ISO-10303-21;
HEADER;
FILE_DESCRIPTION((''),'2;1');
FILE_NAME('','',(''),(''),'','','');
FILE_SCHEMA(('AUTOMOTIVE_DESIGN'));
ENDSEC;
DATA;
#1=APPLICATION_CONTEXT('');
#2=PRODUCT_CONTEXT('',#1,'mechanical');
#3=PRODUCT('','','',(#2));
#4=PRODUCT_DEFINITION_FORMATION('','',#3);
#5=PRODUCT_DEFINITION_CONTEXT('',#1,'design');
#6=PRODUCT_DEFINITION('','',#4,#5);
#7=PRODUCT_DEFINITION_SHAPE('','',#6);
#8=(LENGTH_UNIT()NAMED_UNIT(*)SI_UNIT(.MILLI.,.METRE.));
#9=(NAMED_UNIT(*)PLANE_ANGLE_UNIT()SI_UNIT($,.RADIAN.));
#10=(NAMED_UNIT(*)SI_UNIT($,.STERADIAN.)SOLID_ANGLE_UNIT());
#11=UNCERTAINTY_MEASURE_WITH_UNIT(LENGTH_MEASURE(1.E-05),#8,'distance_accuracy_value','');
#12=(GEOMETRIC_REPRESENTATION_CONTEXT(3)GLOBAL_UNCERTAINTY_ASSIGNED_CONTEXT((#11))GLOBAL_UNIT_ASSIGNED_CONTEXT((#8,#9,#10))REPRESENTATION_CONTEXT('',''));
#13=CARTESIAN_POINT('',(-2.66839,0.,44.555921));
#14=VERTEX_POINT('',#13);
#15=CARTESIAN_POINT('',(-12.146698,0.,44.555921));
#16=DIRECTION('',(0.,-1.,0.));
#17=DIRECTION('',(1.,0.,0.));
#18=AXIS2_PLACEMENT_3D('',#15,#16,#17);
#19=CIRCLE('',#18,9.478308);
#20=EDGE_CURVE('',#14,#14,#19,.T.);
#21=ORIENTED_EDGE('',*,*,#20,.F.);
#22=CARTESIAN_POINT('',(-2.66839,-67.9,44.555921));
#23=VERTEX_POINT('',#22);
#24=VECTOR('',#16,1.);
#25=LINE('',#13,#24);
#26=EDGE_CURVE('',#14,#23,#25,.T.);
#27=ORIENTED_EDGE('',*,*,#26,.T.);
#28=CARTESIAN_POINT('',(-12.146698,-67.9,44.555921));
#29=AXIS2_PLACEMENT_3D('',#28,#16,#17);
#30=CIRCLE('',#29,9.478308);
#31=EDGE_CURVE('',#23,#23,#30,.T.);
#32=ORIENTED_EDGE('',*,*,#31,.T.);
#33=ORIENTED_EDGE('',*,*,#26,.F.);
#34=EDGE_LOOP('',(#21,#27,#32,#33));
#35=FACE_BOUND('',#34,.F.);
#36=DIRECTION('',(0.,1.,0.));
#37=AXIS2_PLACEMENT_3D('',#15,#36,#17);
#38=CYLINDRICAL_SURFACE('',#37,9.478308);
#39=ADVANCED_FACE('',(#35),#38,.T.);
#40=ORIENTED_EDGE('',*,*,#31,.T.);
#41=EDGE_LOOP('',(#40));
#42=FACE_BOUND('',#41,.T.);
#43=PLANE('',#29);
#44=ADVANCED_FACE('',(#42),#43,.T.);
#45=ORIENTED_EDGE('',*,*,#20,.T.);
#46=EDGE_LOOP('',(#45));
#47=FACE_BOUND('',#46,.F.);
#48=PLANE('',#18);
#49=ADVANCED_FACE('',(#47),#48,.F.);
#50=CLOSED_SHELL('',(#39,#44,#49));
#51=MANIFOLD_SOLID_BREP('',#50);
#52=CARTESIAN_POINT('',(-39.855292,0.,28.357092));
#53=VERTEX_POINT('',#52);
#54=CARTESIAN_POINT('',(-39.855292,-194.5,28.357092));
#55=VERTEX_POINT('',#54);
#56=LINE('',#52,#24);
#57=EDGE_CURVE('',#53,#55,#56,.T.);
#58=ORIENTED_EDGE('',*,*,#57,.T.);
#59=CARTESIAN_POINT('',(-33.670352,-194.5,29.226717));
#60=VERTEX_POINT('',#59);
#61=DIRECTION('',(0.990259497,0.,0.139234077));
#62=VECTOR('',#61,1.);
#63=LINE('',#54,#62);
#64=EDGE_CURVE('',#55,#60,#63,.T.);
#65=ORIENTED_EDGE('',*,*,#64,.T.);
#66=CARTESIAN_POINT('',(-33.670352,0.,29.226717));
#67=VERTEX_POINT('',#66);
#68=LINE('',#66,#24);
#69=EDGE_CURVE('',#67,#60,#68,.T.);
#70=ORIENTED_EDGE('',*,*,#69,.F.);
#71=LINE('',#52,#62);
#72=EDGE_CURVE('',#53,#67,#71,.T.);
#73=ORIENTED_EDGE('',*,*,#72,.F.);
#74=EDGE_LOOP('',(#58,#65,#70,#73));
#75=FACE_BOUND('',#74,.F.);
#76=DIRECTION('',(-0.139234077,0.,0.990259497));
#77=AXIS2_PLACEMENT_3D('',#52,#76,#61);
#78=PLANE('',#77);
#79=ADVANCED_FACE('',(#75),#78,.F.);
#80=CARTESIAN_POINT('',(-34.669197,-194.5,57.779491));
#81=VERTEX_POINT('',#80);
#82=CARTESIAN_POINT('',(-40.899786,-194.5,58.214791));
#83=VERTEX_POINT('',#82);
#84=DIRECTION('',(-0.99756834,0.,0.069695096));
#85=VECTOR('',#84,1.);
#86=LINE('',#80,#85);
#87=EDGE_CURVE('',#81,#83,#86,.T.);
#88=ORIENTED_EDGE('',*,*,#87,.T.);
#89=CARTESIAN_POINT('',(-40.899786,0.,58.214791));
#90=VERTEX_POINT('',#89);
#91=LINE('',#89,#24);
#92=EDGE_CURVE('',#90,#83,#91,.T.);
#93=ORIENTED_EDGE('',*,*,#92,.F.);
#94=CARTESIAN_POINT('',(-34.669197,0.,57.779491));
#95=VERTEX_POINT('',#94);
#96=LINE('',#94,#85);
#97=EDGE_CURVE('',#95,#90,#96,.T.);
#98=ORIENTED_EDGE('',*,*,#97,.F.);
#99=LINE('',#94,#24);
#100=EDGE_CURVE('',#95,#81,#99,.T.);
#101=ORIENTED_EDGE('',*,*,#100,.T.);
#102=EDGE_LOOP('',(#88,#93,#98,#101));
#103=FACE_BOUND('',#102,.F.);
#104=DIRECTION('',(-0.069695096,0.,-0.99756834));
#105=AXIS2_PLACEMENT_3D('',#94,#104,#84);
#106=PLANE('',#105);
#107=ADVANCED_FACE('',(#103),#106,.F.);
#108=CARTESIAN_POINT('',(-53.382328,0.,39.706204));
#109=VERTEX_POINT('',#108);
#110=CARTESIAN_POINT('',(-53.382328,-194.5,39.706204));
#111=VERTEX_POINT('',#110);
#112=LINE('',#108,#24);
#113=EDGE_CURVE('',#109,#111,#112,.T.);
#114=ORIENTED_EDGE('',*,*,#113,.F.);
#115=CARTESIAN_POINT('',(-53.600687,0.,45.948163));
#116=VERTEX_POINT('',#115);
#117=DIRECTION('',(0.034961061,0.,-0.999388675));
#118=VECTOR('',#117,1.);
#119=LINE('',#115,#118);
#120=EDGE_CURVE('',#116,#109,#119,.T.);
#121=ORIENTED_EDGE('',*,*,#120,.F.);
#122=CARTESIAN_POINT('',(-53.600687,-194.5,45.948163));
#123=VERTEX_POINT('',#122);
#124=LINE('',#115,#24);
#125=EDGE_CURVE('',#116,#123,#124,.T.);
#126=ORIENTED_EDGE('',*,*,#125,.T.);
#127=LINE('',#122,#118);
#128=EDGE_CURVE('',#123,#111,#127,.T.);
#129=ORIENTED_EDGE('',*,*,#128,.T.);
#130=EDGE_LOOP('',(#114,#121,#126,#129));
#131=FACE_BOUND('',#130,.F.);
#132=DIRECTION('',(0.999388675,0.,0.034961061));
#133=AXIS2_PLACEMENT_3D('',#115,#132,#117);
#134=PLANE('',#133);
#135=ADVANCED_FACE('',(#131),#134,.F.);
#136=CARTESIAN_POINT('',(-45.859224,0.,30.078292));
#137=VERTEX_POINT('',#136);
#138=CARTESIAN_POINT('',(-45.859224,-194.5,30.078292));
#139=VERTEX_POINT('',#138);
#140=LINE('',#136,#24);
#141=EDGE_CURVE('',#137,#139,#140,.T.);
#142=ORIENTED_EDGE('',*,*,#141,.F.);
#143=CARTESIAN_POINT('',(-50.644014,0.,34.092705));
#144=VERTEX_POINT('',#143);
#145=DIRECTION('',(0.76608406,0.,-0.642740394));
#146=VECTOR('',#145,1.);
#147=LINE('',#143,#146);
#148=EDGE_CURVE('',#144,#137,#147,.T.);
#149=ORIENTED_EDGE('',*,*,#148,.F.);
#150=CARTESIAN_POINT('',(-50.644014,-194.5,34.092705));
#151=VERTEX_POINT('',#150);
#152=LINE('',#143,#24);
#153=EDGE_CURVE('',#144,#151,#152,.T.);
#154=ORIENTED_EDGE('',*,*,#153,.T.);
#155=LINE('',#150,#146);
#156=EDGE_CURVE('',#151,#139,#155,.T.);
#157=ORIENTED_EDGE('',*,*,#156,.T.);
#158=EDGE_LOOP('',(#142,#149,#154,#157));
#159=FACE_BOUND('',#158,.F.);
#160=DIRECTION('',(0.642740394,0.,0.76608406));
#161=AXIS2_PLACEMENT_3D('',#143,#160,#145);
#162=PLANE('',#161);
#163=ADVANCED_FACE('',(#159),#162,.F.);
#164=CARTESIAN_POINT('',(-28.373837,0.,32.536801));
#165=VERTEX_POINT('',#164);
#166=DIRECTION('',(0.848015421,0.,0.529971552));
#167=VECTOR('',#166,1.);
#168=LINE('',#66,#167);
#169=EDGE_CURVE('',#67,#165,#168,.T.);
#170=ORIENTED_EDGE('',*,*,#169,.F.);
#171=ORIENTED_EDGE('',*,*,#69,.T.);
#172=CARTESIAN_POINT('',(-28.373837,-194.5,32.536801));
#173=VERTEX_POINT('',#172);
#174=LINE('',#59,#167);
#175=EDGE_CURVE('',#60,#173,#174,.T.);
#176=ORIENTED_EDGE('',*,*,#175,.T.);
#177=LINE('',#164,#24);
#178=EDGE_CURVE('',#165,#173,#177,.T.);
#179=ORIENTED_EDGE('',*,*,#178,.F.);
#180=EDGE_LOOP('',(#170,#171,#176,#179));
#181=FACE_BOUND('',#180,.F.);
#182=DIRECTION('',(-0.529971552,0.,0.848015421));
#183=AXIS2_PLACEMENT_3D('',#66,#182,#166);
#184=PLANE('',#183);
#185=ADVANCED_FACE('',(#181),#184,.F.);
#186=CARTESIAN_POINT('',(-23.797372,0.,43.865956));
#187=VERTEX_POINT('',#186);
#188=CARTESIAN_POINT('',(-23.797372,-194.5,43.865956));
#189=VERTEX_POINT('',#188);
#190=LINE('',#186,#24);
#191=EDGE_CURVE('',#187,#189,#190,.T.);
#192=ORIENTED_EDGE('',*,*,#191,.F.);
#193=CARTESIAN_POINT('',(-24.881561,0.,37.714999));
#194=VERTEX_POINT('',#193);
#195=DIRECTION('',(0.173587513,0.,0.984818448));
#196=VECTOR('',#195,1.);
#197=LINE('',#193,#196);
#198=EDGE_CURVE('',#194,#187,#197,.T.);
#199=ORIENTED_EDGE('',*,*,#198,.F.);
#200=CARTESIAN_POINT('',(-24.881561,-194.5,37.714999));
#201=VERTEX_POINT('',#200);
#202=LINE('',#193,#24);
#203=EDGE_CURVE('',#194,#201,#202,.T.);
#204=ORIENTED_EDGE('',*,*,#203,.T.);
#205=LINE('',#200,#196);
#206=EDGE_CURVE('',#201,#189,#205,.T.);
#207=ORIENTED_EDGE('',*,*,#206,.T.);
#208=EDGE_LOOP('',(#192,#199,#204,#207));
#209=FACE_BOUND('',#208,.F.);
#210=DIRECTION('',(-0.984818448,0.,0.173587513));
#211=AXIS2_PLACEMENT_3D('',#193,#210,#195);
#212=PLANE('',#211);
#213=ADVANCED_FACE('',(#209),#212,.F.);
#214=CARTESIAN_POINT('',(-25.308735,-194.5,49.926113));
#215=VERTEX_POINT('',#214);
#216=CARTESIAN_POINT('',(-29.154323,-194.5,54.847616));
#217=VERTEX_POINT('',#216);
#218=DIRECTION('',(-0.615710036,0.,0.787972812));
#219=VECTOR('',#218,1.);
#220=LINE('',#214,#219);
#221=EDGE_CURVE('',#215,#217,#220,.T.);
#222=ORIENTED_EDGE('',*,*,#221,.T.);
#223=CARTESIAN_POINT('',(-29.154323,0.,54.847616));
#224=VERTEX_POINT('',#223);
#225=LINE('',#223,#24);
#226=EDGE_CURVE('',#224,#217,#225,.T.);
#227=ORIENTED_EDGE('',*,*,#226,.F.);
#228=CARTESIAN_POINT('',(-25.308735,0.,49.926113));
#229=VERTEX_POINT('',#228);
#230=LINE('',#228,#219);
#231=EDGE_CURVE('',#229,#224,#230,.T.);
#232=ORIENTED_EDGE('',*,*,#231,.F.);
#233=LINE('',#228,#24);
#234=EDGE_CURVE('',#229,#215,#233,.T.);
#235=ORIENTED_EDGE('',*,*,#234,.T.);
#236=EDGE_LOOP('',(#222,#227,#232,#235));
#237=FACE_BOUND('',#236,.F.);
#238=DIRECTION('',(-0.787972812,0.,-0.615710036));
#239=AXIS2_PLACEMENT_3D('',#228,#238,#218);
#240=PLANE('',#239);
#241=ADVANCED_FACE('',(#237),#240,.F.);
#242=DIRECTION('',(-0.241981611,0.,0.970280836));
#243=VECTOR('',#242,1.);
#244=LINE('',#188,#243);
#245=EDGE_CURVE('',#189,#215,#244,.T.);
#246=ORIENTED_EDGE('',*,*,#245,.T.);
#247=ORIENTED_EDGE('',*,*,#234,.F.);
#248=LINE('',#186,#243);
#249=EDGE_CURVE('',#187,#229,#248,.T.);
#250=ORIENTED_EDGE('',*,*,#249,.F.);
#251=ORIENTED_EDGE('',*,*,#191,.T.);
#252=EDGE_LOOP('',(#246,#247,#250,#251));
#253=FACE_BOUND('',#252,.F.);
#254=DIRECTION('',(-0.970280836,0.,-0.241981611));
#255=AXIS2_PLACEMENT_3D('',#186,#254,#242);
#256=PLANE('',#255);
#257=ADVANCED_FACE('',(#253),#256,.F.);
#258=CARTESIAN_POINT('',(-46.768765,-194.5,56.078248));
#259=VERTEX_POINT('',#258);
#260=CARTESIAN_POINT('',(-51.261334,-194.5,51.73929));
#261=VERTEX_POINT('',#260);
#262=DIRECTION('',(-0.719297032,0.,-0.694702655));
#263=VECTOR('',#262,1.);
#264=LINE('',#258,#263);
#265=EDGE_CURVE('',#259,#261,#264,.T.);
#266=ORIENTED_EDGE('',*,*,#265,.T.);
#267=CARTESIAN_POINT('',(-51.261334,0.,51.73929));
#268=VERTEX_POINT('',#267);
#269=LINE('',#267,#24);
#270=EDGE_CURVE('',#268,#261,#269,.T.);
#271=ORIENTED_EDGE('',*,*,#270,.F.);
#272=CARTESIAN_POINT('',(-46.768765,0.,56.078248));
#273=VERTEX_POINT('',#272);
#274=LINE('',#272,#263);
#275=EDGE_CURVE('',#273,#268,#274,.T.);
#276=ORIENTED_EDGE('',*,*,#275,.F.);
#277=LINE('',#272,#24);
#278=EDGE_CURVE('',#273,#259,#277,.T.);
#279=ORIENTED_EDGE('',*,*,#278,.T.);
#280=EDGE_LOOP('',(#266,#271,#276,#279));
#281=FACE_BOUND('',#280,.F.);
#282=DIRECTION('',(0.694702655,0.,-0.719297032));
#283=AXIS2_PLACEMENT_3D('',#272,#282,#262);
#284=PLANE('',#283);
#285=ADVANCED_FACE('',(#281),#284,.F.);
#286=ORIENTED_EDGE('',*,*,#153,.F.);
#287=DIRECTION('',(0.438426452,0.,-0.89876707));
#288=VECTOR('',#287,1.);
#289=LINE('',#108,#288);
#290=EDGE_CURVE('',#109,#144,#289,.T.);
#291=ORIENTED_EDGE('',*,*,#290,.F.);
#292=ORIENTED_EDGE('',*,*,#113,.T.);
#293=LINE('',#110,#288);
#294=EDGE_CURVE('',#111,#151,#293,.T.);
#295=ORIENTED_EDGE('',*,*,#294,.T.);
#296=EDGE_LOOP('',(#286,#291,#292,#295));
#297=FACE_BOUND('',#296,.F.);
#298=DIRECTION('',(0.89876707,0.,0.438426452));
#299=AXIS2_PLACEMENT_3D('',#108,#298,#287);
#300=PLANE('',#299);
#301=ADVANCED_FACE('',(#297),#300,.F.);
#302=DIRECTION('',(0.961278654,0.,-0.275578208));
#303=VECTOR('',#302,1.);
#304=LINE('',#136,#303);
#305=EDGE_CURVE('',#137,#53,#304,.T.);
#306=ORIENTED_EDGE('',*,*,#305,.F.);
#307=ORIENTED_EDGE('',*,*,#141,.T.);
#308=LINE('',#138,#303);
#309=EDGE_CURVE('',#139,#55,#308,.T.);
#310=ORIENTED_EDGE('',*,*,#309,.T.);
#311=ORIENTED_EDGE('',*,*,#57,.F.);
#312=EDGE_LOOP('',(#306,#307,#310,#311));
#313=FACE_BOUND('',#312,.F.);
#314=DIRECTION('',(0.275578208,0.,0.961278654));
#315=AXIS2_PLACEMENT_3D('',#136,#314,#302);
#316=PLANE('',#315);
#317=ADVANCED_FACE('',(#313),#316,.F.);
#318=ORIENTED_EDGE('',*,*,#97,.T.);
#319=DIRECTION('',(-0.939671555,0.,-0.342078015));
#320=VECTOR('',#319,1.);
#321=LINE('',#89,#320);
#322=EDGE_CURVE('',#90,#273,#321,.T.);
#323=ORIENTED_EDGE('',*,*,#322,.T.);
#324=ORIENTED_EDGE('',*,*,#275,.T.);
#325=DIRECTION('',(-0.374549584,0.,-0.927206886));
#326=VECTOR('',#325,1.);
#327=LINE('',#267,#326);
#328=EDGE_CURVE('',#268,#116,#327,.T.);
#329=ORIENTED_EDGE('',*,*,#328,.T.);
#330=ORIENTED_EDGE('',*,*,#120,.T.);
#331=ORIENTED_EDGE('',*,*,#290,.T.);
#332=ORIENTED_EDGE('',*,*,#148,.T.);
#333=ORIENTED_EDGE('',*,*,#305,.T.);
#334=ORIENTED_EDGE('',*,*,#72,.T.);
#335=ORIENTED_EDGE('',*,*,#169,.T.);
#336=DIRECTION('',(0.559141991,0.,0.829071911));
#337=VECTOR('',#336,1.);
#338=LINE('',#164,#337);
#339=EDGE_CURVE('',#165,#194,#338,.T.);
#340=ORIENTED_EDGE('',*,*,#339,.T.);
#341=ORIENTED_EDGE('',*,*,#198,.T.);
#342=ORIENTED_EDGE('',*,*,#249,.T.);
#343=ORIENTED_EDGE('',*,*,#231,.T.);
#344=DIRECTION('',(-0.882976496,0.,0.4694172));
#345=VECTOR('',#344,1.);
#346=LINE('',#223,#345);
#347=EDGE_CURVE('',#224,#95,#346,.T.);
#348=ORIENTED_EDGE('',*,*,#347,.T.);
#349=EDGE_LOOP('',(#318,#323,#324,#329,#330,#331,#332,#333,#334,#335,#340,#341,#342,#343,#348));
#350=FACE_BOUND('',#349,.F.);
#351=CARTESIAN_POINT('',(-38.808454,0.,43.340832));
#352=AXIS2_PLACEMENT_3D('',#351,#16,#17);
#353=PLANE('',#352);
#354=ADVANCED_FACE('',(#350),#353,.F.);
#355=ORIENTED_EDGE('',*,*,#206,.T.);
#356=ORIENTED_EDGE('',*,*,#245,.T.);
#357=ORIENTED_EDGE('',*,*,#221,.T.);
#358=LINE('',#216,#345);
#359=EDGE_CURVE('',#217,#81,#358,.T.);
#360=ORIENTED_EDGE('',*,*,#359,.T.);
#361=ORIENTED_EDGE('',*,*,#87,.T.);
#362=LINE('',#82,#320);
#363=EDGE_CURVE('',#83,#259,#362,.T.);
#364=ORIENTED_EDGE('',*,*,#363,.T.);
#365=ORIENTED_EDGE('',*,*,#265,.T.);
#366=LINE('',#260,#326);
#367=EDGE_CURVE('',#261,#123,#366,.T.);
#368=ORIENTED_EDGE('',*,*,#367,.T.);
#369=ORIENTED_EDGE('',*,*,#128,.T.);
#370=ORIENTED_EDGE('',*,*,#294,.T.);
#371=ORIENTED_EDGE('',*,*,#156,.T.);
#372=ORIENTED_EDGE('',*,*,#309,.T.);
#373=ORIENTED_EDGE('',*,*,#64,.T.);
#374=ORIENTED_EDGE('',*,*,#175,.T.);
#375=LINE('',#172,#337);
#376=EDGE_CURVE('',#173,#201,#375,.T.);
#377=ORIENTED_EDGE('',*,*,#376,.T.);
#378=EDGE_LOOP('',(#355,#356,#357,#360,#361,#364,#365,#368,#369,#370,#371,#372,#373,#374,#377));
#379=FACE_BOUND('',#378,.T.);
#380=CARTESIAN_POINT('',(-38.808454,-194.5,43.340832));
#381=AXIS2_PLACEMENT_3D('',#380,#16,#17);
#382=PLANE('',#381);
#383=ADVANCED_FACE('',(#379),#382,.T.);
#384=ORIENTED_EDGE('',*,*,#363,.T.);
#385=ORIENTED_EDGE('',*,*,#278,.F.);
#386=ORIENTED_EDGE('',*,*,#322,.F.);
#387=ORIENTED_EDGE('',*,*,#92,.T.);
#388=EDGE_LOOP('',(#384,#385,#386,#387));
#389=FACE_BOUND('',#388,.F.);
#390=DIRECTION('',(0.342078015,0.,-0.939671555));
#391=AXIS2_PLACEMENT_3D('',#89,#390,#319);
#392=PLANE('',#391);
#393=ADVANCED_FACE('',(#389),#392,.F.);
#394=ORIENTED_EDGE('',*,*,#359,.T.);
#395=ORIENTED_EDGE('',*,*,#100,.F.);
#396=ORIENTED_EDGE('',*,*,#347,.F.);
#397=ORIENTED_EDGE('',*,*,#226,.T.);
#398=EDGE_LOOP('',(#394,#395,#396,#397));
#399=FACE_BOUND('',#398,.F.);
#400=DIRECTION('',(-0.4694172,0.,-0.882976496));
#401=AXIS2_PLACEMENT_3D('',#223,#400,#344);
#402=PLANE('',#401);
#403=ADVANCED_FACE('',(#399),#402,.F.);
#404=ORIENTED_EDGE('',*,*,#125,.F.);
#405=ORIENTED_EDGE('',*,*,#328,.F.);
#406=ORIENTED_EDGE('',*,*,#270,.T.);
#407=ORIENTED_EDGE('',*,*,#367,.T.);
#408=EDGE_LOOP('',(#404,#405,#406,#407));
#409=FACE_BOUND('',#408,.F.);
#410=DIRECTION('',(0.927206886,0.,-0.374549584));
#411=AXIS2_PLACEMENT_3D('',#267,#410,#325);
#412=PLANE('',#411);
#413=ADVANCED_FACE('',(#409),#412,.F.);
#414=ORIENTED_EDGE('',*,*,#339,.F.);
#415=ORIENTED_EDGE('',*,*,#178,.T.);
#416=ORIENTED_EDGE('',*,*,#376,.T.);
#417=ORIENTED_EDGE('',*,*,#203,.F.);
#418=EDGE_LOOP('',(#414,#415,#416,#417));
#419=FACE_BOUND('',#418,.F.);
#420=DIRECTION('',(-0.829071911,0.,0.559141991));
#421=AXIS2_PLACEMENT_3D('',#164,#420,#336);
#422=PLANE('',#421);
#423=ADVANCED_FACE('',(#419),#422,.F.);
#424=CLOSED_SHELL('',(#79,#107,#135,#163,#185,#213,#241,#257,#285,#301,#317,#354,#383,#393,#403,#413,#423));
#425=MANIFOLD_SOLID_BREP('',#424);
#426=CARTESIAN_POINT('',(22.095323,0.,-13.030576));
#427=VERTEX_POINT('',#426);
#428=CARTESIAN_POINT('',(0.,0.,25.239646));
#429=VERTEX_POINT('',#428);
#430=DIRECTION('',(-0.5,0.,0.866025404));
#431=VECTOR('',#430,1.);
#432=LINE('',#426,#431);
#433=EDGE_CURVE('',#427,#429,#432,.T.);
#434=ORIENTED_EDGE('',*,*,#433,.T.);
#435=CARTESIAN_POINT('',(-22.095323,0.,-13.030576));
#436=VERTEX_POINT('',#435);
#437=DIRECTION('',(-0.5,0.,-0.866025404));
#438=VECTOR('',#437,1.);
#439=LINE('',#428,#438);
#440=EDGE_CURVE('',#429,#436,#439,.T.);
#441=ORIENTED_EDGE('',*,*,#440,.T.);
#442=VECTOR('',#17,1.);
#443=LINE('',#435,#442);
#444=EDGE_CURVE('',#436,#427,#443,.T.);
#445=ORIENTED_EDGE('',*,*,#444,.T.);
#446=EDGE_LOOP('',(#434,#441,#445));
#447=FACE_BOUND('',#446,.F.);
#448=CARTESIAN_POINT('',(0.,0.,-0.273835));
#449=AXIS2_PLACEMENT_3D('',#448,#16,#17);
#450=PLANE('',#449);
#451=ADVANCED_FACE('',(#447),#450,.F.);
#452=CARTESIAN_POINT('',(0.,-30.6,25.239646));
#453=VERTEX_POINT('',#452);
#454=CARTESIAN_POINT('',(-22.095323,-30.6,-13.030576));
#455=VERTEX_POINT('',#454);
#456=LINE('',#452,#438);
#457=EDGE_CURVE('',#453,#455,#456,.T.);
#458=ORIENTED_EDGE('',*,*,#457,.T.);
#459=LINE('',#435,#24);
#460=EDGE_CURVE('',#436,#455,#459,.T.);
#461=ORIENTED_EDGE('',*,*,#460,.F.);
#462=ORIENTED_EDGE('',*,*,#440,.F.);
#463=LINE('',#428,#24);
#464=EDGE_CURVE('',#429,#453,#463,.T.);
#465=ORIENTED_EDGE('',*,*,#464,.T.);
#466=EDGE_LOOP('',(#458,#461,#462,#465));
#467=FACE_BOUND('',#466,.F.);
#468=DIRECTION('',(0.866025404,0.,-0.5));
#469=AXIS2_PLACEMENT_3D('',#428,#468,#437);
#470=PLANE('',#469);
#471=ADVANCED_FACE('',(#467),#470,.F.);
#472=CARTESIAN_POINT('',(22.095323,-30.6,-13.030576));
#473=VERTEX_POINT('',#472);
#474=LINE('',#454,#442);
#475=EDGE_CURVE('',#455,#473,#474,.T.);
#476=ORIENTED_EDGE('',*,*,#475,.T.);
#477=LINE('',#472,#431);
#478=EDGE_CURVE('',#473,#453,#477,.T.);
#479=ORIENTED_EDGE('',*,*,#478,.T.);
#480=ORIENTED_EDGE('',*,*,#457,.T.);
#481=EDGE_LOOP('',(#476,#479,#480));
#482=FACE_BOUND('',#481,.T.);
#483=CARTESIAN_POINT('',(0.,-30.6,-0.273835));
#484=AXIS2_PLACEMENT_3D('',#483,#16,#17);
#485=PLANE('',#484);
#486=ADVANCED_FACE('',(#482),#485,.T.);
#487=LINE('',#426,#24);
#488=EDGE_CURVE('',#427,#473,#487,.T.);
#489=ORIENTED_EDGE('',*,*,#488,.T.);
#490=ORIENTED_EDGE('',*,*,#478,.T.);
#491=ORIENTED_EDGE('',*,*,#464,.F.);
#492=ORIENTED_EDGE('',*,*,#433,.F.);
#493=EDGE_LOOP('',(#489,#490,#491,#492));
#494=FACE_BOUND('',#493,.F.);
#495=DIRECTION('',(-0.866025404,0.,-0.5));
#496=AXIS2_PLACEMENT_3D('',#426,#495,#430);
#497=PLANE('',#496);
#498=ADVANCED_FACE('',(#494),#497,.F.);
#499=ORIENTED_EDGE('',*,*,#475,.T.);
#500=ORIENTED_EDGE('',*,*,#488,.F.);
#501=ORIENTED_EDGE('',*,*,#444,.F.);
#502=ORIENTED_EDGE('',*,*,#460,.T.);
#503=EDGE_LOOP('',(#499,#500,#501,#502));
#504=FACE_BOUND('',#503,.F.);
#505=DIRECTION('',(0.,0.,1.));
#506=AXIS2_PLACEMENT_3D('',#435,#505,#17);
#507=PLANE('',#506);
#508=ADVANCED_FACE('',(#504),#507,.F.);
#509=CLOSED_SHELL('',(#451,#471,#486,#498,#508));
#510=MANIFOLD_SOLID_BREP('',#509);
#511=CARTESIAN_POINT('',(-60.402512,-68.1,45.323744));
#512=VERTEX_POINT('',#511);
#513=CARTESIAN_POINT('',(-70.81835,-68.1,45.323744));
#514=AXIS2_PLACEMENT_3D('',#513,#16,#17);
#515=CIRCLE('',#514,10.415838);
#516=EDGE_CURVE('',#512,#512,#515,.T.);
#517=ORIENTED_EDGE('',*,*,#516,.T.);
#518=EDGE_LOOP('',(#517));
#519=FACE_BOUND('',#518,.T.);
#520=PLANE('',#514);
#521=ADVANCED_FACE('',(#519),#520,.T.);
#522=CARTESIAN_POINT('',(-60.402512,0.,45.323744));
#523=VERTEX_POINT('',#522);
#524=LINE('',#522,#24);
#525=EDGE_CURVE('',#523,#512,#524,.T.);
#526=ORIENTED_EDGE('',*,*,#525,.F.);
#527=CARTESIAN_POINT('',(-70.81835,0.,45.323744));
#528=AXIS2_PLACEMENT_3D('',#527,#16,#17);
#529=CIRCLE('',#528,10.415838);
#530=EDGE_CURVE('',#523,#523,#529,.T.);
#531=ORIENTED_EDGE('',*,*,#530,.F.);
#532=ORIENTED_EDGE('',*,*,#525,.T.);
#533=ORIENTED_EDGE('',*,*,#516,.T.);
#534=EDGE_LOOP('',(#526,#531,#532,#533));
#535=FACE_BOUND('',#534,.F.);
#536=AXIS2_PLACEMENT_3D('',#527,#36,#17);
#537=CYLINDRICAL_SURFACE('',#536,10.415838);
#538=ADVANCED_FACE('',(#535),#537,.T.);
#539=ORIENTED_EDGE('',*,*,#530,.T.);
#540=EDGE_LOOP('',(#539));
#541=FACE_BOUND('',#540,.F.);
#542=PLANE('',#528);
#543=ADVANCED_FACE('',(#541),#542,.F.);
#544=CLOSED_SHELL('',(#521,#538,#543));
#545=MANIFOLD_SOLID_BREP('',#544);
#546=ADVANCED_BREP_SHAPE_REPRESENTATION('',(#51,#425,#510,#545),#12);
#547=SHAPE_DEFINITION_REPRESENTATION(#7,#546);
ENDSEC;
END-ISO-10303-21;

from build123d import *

# Parameters (mm, degrees)
F1_DEPTH = 30.6
F3_DEPTH = 194.5
F4_R     = 10.415838
F5_DEPTH = 68.1
F6_R     = 9.478308
F7_DEPTH = 67.9


with BuildPart() as f1:
    # F0 (on Front) → F1 (new body)
    with BuildSketch(Plane.XZ):
        Polygon((0, 25.239646), (-22.095323, -13.030576), (22.095323, -13.030576), align=None)
    extrude(amount=F1_DEPTH)


with BuildPart() as f3:
    # F2 (on Front) → F3 (new body)
    with BuildSketch(Plane.XZ):
        Polygon((-28.373837, 32.536801), (-24.881561, 37.714999), (-23.797372, 43.865956), (-25.308735, 49.926113), (-29.154323, 54.847616), (-34.669197, 57.779491), (-40.899786, 58.214791), (-46.768765, 56.078248), (-51.261334, 51.73929), (-53.600687, 45.948163), (-53.382328, 39.706204), (-50.644014, 34.092705), (-45.859224, 30.078292), (-39.855292, 28.357092), (-33.670352, 29.226717), align=None)
    extrude(amount=F3_DEPTH)


with BuildPart() as f5:
    # F4 (on Front) → F5 (new body)
    with BuildSketch(Plane.XZ):
        with Locations((-70.81835, 45.323744)):
            Circle(F4_R)
    extrude(amount=F5_DEPTH)


with BuildPart() as f7:
    # F6 (on Front) → F7 (new body)
    with BuildSketch(Plane.XZ):
        with Locations((-12.146698, 44.555921)):
            Circle(F6_R)
    extrude(amount=F7_DEPTH)


solid = Compound([f1.part, f3.part, f5.part, f7.part])
